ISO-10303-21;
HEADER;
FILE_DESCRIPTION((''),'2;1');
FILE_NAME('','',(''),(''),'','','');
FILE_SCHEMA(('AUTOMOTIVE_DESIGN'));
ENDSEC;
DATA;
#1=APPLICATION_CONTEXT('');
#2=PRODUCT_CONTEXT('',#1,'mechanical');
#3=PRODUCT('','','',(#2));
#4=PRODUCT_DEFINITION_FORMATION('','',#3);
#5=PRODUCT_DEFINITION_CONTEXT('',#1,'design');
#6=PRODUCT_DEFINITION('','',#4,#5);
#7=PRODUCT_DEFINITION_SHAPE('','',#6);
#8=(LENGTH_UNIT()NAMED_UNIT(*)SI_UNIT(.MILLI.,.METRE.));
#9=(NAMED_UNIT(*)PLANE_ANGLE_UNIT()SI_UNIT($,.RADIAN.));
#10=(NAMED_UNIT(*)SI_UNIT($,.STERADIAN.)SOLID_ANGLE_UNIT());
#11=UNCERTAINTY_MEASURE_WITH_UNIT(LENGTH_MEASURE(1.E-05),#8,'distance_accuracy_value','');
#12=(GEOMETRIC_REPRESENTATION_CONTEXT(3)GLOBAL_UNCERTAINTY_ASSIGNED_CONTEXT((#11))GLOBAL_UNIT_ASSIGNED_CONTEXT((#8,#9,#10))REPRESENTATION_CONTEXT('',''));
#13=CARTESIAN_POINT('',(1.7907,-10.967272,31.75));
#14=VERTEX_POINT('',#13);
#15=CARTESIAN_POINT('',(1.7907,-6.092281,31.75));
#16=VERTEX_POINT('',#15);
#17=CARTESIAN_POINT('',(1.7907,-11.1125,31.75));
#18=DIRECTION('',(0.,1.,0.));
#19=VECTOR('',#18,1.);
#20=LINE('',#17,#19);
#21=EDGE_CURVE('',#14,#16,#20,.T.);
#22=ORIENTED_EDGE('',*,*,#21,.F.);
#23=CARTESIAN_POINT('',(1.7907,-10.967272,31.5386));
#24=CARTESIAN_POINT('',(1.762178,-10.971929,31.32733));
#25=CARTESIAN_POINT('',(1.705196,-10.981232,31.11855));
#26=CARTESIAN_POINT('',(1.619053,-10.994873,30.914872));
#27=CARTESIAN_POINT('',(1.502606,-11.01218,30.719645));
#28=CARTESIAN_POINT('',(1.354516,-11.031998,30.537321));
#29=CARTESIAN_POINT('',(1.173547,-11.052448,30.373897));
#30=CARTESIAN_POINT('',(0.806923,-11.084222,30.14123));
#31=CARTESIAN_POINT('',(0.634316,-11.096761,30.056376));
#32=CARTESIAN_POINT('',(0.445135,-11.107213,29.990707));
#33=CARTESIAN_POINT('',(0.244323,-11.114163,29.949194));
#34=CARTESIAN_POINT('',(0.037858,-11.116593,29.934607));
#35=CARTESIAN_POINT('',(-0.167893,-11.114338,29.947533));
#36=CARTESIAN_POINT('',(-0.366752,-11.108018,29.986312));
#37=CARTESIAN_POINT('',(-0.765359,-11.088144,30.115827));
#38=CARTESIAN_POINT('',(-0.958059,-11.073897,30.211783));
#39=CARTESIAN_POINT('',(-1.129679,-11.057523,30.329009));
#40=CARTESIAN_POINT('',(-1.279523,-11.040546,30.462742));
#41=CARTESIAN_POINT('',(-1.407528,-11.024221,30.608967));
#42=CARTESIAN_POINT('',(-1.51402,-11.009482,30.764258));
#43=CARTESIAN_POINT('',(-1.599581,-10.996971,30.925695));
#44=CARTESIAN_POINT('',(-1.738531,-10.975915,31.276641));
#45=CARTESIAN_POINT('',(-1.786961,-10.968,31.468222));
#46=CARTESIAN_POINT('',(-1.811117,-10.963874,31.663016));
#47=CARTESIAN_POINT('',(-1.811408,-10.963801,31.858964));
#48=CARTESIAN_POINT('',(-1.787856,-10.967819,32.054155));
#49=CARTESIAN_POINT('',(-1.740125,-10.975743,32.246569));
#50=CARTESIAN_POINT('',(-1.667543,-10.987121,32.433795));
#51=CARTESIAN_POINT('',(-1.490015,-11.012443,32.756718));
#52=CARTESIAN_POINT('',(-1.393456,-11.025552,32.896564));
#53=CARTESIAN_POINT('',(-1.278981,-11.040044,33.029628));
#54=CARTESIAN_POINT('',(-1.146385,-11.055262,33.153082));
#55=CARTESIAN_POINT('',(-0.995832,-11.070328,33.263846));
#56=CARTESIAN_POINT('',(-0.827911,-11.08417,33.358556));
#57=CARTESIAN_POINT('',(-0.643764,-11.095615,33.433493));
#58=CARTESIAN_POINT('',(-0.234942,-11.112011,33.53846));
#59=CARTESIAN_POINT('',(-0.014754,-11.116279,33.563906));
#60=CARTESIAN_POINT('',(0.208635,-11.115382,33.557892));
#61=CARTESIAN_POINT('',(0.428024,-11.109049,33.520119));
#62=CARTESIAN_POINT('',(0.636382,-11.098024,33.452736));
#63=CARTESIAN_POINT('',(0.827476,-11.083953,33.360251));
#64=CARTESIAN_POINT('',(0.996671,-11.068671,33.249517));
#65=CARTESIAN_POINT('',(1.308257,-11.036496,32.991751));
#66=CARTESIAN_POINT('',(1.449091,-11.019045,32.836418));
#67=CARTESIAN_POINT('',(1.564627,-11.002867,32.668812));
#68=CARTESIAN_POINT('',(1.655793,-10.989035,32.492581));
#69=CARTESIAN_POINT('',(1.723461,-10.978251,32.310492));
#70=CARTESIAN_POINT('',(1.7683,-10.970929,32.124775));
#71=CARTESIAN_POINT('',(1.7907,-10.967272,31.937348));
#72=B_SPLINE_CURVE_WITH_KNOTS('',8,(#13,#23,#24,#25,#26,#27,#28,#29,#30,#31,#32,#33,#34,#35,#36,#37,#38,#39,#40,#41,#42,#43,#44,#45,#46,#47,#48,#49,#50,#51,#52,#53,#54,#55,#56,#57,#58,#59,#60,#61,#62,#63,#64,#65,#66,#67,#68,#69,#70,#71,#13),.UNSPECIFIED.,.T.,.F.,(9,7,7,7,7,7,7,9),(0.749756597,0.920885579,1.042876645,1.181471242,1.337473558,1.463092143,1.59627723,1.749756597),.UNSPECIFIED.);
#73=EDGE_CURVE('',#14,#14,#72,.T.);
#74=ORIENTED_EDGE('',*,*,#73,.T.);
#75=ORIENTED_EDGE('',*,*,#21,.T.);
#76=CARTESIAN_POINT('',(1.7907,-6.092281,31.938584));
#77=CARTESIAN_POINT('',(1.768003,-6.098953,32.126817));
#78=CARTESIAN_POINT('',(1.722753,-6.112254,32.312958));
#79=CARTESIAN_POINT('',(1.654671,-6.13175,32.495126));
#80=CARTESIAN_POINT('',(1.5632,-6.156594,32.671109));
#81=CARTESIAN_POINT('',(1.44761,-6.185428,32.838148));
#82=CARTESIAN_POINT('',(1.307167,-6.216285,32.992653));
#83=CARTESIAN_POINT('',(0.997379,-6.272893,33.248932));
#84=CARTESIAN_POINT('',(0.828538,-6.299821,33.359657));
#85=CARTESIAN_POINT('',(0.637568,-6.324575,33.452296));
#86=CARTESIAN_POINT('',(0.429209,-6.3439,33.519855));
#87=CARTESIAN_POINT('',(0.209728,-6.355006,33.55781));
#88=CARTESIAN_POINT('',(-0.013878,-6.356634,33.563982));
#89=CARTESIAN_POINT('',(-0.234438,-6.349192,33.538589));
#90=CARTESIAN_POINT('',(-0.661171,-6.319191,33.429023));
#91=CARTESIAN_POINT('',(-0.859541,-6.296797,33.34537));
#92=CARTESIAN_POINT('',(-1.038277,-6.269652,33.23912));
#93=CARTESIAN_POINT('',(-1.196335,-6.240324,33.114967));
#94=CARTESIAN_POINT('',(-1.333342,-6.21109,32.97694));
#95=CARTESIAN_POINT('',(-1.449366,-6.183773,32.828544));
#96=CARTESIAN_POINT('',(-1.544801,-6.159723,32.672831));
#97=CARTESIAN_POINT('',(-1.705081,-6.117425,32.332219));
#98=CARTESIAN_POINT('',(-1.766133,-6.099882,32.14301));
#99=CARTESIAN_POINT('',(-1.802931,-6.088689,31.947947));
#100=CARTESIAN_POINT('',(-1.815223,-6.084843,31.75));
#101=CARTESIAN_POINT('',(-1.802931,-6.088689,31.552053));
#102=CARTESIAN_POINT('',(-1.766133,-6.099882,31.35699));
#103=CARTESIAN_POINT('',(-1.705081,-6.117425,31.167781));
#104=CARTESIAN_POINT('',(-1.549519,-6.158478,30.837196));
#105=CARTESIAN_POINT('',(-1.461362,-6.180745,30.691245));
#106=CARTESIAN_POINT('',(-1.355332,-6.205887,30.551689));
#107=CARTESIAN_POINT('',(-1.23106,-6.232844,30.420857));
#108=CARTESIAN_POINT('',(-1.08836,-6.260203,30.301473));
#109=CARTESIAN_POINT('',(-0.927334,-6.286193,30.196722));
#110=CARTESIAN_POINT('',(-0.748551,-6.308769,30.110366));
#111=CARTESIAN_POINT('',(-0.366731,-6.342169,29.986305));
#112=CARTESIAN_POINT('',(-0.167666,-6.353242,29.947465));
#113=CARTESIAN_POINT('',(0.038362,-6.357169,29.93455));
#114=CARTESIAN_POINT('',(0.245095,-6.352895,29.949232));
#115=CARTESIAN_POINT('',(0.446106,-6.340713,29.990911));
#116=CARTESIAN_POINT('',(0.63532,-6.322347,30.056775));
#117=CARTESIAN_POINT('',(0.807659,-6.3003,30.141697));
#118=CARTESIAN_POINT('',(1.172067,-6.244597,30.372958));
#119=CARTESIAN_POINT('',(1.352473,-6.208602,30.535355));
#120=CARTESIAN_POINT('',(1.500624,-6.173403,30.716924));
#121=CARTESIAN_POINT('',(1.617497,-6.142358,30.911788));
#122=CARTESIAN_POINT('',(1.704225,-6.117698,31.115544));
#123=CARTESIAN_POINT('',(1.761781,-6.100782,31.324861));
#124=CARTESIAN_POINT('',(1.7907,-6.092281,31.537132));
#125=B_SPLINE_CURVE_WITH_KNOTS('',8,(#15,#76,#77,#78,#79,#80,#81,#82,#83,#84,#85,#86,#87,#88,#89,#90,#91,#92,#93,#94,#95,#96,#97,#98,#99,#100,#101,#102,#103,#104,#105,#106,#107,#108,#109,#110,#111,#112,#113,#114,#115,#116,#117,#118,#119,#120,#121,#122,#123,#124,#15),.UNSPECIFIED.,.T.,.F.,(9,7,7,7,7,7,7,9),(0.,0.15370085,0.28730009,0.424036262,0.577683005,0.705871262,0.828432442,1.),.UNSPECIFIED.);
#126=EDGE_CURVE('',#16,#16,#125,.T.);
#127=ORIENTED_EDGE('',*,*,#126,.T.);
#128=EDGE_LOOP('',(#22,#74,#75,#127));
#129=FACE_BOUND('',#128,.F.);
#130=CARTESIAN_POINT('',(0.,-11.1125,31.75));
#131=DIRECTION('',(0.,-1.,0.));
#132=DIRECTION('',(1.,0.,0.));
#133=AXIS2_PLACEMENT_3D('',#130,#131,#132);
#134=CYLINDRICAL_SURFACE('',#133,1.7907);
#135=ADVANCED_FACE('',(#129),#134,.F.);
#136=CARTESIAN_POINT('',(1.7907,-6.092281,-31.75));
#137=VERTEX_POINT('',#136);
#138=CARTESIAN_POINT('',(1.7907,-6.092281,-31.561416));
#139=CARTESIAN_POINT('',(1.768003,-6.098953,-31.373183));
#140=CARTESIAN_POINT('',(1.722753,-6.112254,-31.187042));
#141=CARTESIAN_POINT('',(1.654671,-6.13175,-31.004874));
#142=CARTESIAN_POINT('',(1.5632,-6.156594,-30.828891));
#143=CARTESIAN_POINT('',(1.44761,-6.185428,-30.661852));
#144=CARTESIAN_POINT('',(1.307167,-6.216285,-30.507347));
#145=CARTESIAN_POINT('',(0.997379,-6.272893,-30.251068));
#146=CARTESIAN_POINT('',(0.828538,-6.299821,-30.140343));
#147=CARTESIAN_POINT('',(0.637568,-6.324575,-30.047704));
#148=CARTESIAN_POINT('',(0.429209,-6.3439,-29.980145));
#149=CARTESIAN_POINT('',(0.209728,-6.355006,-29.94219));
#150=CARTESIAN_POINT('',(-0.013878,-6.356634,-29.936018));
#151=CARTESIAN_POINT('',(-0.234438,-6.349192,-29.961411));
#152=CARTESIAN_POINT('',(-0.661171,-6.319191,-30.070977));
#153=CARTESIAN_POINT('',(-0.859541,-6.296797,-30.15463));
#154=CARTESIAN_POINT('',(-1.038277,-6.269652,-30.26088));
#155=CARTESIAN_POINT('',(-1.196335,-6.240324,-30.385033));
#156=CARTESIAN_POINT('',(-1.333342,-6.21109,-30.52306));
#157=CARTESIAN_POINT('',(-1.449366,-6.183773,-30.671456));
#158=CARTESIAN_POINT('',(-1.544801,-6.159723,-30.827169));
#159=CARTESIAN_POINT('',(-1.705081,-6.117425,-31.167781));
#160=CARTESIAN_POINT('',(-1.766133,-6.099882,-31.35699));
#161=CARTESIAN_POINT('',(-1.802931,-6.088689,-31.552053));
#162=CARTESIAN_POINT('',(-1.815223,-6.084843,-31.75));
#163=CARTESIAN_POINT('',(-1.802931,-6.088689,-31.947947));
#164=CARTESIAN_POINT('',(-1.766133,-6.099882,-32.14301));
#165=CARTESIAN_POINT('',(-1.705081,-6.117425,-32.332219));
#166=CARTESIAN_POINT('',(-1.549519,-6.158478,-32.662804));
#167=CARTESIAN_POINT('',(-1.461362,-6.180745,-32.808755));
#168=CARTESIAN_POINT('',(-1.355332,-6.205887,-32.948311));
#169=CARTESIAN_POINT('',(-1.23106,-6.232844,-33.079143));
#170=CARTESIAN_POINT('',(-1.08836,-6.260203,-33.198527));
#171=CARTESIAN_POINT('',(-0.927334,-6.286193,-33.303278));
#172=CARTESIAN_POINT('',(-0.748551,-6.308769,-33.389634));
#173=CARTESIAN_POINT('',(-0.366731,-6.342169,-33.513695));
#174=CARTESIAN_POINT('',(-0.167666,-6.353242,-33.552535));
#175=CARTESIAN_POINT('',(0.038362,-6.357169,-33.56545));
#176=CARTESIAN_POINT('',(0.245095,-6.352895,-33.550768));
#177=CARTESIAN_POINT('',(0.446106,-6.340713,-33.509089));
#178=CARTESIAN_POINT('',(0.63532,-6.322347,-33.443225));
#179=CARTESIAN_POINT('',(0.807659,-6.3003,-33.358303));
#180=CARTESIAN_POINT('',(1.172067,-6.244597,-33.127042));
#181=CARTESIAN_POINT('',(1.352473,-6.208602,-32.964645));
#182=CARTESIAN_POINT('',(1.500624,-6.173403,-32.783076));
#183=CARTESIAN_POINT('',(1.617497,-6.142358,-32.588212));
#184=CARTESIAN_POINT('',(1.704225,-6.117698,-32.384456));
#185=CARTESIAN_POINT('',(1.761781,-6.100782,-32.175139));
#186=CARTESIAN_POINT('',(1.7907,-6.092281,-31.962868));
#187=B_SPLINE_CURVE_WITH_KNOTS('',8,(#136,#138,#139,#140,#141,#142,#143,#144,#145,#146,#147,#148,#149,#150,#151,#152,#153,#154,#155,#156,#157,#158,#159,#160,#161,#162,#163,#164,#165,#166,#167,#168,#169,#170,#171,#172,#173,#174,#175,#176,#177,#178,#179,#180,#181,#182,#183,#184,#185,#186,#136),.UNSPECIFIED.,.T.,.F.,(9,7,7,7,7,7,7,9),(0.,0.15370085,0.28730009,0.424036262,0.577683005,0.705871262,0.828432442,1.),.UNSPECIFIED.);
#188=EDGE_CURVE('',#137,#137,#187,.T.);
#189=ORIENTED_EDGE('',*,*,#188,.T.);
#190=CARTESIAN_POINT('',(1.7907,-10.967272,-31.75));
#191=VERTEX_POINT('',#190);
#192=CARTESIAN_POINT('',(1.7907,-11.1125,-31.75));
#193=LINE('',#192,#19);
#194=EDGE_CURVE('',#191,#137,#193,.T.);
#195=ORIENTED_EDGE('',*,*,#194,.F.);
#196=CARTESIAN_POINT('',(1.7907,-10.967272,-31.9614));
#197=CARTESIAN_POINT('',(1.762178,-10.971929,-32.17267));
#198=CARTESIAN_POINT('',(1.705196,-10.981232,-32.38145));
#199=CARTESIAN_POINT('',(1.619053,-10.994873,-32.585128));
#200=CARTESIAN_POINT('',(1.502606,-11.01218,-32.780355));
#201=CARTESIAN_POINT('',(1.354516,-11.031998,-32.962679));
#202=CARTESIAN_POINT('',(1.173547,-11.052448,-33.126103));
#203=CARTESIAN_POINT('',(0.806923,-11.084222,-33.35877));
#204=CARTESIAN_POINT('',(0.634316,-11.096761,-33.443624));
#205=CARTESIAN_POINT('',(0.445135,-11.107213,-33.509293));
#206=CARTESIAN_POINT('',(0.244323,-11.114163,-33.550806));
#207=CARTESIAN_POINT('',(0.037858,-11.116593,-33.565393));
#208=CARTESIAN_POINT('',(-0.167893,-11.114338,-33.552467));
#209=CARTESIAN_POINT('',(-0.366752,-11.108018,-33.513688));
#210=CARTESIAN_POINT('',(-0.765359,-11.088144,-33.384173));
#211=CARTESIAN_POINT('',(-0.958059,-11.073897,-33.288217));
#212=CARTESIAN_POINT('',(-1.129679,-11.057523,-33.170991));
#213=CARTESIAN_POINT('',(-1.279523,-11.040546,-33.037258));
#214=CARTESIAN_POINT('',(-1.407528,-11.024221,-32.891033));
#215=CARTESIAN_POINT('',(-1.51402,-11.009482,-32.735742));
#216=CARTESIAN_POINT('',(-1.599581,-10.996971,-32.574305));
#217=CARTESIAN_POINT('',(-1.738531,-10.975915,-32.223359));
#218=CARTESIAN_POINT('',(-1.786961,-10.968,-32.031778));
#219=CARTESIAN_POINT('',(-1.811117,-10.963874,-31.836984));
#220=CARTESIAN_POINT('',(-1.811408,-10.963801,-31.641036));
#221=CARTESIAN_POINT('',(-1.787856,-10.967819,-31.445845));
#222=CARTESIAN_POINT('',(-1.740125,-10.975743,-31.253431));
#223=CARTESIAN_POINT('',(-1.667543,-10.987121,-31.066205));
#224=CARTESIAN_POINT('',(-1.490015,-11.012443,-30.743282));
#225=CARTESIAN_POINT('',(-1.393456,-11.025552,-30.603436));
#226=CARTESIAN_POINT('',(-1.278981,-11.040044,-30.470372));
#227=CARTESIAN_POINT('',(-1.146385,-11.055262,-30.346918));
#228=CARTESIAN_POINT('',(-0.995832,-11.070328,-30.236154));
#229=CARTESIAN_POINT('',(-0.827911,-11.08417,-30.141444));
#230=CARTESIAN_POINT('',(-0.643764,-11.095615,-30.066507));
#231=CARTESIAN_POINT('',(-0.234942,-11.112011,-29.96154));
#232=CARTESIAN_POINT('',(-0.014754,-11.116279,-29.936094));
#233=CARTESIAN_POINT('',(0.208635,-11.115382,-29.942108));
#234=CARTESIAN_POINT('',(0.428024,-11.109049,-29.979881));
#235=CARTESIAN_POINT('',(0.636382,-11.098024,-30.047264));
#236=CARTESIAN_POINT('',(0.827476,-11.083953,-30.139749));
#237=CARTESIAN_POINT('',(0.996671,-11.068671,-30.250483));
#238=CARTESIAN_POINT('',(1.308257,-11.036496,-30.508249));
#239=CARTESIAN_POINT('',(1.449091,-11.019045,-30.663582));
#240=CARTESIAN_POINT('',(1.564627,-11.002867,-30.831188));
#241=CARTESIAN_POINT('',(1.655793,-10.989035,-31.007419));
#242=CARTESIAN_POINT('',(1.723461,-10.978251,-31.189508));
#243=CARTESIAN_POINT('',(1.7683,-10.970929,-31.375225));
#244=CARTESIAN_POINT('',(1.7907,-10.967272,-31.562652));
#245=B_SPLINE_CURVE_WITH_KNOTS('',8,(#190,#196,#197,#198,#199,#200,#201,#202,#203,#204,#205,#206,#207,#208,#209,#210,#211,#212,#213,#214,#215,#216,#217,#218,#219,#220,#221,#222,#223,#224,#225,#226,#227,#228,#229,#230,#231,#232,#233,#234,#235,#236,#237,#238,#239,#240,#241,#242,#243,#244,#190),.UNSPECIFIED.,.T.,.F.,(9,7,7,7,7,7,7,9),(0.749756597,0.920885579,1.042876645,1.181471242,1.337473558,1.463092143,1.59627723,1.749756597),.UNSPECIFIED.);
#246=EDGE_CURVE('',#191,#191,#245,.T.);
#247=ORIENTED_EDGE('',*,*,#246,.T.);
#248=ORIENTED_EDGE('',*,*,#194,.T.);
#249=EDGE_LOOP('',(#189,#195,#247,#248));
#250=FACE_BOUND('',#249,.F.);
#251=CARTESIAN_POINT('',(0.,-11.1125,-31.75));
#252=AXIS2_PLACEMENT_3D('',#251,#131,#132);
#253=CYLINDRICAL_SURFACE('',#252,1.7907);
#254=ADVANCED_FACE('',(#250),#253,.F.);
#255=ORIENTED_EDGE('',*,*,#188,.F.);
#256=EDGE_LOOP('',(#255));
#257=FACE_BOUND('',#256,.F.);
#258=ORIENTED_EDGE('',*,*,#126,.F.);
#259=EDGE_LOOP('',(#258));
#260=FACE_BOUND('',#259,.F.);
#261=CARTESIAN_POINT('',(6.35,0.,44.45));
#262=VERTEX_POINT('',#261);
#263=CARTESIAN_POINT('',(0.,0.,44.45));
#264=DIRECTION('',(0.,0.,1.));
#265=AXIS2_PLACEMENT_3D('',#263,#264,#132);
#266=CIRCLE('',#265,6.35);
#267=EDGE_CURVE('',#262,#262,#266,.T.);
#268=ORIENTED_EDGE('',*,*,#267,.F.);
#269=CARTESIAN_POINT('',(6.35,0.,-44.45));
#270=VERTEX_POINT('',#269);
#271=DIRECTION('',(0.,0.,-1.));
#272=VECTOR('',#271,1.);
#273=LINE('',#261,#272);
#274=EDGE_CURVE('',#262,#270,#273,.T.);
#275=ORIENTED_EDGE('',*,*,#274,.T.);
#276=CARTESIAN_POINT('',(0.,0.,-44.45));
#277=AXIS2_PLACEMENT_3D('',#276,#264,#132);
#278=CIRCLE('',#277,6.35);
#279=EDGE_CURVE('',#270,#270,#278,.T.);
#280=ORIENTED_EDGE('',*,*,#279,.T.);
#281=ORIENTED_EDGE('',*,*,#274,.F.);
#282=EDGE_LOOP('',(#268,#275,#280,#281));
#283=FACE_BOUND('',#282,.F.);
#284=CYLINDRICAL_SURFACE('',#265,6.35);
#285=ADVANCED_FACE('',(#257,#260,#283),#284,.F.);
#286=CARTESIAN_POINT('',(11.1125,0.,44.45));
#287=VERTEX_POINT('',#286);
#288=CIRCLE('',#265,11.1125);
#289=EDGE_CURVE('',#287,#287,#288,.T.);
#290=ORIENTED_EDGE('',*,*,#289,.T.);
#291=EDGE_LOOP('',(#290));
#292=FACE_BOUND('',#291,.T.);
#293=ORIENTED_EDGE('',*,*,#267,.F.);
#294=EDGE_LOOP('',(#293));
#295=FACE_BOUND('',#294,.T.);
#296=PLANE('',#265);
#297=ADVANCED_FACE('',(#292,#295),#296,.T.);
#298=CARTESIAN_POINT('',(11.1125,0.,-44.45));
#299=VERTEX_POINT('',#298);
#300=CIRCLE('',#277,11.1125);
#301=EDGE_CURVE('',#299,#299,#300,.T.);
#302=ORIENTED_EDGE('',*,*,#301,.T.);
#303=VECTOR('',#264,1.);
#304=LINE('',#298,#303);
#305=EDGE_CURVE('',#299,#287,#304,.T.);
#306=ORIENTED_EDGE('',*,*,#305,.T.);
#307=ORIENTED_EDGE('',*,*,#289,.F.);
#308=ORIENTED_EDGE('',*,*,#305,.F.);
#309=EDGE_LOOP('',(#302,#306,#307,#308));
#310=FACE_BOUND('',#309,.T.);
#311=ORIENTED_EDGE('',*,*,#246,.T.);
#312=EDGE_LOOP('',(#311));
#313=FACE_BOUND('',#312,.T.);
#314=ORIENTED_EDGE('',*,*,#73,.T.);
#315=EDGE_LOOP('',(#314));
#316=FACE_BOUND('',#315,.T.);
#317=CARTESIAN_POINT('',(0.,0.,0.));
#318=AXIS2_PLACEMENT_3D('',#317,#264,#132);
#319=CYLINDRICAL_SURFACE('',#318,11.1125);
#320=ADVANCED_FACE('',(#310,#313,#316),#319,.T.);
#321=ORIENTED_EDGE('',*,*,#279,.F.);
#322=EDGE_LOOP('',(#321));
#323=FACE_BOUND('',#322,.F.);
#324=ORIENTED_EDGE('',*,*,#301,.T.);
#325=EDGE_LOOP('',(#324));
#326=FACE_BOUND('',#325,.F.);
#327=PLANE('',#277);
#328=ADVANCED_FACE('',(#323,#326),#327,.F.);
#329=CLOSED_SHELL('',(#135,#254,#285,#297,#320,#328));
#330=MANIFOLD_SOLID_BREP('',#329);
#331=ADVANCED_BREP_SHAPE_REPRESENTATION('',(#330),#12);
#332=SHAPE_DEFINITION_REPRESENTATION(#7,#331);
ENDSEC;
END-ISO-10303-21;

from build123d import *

# Parameters (mm, degrees)
F0_R     = 11.1125
F1_DEPTH = 44.45
F2_R     = 6.35
F3_DEPTH = 88.9
F5_R     = 1.7907
F6_DEPTH = 5.02121863


with BuildPart() as f1:
    # F0 (on Top) → F1 (new body, symmetric)
    with BuildSketch(Plane.XY):
        Circle(F0_R)
    extrude(amount=F1_DEPTH, both=True)

    # F2 (on face) → F3 (cut, through all)
    with BuildSketch(Plane.XY.offset(44.45)):
        Circle(F2_R)
    extrude(amount=-F3_DEPTH, mode=Mode.SUBTRACT)

    # F5 (on offset) → F6 (cut, through all)
    with BuildSketch(Plane.XZ.offset(11.1125)):
        with Locations((0, -31.75)):
            Circle(F5_R)
        with Locations((0, 31.75)):
            Circle(F5_R)
    extrude(amount=-F6_DEPTH, mode=Mode.SUBTRACT)


solid = f1.part
